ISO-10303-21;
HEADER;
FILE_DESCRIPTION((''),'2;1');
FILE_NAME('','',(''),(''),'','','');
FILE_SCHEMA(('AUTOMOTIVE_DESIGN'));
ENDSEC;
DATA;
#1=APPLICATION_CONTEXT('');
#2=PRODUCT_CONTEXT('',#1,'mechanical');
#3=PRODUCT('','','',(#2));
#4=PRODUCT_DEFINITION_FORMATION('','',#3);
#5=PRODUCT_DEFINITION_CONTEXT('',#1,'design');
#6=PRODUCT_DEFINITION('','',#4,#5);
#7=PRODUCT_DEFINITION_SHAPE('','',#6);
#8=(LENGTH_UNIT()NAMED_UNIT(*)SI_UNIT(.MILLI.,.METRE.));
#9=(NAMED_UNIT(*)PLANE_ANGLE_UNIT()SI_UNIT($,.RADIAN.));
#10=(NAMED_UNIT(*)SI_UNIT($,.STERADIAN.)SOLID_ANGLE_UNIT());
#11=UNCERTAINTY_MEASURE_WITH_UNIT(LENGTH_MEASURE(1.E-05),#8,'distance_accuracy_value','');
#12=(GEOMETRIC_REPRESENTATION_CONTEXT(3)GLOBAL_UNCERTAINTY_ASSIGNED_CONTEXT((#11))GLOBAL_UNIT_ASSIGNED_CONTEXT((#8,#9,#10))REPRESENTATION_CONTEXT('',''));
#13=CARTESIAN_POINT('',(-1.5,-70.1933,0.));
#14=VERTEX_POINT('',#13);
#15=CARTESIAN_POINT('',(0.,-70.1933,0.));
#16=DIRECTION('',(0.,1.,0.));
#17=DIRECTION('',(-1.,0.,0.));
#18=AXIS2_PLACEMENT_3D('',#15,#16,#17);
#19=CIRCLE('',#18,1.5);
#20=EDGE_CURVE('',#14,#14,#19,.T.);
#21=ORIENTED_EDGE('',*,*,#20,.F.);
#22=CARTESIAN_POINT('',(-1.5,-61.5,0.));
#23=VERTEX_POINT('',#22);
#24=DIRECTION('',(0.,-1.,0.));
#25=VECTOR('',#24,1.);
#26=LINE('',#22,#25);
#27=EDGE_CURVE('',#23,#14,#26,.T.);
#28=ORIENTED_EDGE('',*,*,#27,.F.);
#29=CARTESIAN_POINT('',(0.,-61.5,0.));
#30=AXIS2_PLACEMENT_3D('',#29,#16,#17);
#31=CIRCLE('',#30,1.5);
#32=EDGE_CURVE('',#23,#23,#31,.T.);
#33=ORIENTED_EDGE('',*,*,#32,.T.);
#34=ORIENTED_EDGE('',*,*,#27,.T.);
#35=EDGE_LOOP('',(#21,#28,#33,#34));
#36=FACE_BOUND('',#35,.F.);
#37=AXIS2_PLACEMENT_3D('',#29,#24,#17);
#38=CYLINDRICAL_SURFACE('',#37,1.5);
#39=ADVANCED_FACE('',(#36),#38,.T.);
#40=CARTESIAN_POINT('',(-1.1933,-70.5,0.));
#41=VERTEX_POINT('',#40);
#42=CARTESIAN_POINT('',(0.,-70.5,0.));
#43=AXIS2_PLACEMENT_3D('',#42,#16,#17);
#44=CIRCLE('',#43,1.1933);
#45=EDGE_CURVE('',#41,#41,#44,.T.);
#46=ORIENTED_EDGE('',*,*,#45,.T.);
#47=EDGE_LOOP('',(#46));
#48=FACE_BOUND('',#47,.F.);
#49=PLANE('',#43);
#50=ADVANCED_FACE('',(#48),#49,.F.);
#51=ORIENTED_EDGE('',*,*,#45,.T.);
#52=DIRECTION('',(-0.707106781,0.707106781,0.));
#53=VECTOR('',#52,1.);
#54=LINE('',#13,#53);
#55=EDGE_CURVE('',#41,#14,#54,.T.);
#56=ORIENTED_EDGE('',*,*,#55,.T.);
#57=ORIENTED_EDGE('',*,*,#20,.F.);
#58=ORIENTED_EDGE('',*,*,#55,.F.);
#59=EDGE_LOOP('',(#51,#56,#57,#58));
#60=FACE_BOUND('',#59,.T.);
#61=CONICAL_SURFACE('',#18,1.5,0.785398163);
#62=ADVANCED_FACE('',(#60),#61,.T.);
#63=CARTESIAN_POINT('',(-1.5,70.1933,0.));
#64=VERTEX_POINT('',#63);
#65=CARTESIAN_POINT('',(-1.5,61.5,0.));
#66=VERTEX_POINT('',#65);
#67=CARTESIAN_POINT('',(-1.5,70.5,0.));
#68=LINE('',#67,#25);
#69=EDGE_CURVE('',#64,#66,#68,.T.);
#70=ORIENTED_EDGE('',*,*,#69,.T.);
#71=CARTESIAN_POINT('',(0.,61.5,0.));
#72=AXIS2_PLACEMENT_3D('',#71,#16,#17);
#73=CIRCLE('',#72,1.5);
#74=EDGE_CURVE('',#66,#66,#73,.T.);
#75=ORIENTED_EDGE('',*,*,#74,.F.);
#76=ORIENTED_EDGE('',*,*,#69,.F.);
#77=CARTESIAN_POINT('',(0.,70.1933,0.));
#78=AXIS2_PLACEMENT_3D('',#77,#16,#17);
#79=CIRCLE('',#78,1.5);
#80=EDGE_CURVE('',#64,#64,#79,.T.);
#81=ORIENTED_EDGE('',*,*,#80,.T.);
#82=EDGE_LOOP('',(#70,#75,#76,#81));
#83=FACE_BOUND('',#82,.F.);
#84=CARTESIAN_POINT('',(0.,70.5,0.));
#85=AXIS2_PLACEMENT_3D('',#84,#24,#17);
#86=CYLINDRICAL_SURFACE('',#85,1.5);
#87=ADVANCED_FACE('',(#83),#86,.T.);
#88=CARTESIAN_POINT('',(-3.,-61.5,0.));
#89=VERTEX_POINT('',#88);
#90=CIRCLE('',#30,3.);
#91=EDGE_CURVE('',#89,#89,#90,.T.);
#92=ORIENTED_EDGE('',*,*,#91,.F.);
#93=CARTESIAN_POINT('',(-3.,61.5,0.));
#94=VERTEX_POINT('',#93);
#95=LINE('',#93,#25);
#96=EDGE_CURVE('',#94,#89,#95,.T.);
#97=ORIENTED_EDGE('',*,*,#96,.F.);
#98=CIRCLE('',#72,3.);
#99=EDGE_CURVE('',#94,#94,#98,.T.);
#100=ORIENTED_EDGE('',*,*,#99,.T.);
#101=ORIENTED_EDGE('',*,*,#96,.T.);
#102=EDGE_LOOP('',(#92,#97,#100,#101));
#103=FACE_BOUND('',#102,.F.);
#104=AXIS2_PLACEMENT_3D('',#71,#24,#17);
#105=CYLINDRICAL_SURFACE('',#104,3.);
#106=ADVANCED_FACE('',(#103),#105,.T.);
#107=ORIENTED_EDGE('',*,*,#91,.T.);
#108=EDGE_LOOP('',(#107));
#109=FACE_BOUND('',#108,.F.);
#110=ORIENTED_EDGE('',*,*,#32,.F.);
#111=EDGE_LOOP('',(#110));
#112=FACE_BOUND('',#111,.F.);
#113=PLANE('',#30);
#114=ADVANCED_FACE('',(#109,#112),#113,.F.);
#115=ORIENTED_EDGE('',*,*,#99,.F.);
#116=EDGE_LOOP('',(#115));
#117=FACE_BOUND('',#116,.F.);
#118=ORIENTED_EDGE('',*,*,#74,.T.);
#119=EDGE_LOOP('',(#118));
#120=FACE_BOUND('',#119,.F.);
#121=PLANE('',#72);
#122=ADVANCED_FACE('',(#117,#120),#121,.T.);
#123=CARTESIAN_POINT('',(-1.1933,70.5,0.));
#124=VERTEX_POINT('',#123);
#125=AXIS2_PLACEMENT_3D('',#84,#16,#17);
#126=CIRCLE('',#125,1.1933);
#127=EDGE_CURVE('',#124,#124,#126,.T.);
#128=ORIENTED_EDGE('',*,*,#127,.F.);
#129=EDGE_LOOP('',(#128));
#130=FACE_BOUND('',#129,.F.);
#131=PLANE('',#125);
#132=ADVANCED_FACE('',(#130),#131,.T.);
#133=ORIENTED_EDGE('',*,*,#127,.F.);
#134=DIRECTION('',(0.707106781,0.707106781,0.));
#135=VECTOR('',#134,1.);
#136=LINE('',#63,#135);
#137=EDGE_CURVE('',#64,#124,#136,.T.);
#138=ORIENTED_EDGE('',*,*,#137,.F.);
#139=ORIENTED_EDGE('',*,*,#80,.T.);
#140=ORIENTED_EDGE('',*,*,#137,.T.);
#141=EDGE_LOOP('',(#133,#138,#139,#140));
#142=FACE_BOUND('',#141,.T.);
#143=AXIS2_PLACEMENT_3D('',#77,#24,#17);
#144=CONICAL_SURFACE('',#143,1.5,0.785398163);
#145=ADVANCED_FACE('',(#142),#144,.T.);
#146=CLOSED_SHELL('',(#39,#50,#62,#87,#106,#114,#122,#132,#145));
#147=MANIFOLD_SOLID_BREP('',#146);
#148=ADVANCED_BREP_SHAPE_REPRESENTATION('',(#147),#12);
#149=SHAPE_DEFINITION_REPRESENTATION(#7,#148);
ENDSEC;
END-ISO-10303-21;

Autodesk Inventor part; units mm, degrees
ref_plane "YZ Plane" through (0, 0, 0) normal (1, 0, 0) x (0, 1, 0)
ref_plane "XZ Plane" through (0, 0, 0) normal (0, 1, 0) x (-1, 0, 0)
ref_plane "XY Plane" through (0, 0, 0) normal (0, 0, 1) x (1, 0, 0)
sketch "Boceto1" plane through (0, 0, 0) normal (0, 0, 1) x (1, 0, 0)
  line L0 (0, -70.5) -> (0, 70.5)
  line L1 (0, 70.5) -> (-1.5, 70.5)
  line L2 (-1.5, 70.5) -> (-1.5, 61.5)
  line L3 (-1.5, 61.5) -> (-3, 61.5)
  line L4 (-3, 61.5) -> (-3, -61.5)
  line L5 (-3, -61.5) -> (-1.5, -61.5)
  line L6 (-1.5, -61.5) -> (-1.5, -70.5)
  line L7 (-1.5, -70.5) -> (0, -70.5)
  point P0 (0, 0)
  point P1 (0, 0)
  dimension "d1" = 3
  dimension "d2" = 6
  dimension "d3" = 9
  dimension "d4" = 123
  dimension "d8" = 9
revolve "Revolución1" add sketch "Boceto1" angle 360 about axis through (0, -70.5, 0) along (0, 1, 0)
thread "Rosca1" size "M3x0.5" class "6g" standard "ANSI Metric M Profile" full length
chamfer "Chaflán1" distance 0.3067 angle 45 2 edges at (1.5, 70.5, 0) (1.5, -70.5, 0)
properties part number "Columnas" material "Aluminum 7075"
